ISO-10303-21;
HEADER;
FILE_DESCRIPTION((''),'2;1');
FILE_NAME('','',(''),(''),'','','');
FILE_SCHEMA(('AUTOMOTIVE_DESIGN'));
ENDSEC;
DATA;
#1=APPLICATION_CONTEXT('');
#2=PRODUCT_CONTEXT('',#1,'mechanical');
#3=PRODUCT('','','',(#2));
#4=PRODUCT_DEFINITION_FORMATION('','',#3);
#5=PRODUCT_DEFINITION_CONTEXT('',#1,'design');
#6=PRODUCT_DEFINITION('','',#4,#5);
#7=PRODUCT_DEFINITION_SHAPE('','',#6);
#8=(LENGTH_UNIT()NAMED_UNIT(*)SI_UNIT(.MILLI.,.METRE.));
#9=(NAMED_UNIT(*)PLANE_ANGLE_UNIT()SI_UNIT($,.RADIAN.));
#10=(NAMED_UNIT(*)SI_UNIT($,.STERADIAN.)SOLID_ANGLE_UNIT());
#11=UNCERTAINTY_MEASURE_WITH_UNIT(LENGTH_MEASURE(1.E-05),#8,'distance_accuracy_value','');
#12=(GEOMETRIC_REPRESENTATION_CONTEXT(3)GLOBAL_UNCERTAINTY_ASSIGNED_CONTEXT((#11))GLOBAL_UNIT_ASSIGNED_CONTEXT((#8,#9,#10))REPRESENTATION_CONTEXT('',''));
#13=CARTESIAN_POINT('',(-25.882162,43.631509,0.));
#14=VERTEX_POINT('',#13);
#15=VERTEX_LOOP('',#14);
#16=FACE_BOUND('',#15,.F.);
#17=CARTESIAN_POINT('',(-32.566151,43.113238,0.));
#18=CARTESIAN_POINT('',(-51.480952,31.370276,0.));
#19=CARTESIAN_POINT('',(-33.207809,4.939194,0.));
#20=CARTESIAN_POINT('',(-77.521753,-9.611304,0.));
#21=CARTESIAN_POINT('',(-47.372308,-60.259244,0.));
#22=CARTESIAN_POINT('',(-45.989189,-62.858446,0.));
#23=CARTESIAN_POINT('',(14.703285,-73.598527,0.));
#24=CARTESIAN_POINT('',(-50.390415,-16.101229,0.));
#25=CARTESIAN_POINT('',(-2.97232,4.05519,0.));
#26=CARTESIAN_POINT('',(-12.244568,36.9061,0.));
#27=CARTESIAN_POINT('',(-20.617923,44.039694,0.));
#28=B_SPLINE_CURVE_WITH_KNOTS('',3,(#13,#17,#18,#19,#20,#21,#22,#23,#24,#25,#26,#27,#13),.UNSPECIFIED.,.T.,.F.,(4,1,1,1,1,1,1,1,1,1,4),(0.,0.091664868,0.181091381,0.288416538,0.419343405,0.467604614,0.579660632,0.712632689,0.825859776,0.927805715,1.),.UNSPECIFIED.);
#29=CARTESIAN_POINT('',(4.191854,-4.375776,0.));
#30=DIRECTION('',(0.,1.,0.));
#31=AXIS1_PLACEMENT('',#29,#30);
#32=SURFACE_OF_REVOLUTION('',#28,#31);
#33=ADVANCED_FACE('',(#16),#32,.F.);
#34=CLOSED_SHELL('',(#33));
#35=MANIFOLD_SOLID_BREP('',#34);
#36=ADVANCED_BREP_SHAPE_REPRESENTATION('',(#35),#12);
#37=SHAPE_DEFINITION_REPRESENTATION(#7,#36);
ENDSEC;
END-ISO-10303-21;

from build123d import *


with BuildPart() as f1:
    # F0 (on Top) → F1 (revolve)
    with BuildSketch(Plane.XY):
        with BuildLine():
            add(Edge.make_bspline(
                [(-25.8821621537, 43.6315089464), (-32.5661506652, 43.1132380048), (-51.4809517701, 31.3702759365), (-33.2078093734, 4.9391943219), (-77.5217526316, -9.6113040088), (-47.3723076474, -60.2592444925), (-45.9891893271, -62.8584463455), (14.7032848244, -73.5985271906), (-50.3904146259, -16.1012288885), (-2.9723198957, 4.0551902446), (-12.2445683137, 36.9061004716), (-20.6179232035, 44.0396936811), (-25.8821621537, 43.6315089464)],
                knots=[0, 0, 0, 0, 0.0916648682, 0.1810913807, 0.2884165383, 0.419343405, 0.4676046138, 0.5796606323, 0.7126326889, 0.8258597762, 0.9278057153, 1, 1, 1, 1], degree=3))
        make_face()
    revolve(axis=Axis((4.1918540373, -4.375776276, 0), (0, 1, 0)))


solid = f1.part
